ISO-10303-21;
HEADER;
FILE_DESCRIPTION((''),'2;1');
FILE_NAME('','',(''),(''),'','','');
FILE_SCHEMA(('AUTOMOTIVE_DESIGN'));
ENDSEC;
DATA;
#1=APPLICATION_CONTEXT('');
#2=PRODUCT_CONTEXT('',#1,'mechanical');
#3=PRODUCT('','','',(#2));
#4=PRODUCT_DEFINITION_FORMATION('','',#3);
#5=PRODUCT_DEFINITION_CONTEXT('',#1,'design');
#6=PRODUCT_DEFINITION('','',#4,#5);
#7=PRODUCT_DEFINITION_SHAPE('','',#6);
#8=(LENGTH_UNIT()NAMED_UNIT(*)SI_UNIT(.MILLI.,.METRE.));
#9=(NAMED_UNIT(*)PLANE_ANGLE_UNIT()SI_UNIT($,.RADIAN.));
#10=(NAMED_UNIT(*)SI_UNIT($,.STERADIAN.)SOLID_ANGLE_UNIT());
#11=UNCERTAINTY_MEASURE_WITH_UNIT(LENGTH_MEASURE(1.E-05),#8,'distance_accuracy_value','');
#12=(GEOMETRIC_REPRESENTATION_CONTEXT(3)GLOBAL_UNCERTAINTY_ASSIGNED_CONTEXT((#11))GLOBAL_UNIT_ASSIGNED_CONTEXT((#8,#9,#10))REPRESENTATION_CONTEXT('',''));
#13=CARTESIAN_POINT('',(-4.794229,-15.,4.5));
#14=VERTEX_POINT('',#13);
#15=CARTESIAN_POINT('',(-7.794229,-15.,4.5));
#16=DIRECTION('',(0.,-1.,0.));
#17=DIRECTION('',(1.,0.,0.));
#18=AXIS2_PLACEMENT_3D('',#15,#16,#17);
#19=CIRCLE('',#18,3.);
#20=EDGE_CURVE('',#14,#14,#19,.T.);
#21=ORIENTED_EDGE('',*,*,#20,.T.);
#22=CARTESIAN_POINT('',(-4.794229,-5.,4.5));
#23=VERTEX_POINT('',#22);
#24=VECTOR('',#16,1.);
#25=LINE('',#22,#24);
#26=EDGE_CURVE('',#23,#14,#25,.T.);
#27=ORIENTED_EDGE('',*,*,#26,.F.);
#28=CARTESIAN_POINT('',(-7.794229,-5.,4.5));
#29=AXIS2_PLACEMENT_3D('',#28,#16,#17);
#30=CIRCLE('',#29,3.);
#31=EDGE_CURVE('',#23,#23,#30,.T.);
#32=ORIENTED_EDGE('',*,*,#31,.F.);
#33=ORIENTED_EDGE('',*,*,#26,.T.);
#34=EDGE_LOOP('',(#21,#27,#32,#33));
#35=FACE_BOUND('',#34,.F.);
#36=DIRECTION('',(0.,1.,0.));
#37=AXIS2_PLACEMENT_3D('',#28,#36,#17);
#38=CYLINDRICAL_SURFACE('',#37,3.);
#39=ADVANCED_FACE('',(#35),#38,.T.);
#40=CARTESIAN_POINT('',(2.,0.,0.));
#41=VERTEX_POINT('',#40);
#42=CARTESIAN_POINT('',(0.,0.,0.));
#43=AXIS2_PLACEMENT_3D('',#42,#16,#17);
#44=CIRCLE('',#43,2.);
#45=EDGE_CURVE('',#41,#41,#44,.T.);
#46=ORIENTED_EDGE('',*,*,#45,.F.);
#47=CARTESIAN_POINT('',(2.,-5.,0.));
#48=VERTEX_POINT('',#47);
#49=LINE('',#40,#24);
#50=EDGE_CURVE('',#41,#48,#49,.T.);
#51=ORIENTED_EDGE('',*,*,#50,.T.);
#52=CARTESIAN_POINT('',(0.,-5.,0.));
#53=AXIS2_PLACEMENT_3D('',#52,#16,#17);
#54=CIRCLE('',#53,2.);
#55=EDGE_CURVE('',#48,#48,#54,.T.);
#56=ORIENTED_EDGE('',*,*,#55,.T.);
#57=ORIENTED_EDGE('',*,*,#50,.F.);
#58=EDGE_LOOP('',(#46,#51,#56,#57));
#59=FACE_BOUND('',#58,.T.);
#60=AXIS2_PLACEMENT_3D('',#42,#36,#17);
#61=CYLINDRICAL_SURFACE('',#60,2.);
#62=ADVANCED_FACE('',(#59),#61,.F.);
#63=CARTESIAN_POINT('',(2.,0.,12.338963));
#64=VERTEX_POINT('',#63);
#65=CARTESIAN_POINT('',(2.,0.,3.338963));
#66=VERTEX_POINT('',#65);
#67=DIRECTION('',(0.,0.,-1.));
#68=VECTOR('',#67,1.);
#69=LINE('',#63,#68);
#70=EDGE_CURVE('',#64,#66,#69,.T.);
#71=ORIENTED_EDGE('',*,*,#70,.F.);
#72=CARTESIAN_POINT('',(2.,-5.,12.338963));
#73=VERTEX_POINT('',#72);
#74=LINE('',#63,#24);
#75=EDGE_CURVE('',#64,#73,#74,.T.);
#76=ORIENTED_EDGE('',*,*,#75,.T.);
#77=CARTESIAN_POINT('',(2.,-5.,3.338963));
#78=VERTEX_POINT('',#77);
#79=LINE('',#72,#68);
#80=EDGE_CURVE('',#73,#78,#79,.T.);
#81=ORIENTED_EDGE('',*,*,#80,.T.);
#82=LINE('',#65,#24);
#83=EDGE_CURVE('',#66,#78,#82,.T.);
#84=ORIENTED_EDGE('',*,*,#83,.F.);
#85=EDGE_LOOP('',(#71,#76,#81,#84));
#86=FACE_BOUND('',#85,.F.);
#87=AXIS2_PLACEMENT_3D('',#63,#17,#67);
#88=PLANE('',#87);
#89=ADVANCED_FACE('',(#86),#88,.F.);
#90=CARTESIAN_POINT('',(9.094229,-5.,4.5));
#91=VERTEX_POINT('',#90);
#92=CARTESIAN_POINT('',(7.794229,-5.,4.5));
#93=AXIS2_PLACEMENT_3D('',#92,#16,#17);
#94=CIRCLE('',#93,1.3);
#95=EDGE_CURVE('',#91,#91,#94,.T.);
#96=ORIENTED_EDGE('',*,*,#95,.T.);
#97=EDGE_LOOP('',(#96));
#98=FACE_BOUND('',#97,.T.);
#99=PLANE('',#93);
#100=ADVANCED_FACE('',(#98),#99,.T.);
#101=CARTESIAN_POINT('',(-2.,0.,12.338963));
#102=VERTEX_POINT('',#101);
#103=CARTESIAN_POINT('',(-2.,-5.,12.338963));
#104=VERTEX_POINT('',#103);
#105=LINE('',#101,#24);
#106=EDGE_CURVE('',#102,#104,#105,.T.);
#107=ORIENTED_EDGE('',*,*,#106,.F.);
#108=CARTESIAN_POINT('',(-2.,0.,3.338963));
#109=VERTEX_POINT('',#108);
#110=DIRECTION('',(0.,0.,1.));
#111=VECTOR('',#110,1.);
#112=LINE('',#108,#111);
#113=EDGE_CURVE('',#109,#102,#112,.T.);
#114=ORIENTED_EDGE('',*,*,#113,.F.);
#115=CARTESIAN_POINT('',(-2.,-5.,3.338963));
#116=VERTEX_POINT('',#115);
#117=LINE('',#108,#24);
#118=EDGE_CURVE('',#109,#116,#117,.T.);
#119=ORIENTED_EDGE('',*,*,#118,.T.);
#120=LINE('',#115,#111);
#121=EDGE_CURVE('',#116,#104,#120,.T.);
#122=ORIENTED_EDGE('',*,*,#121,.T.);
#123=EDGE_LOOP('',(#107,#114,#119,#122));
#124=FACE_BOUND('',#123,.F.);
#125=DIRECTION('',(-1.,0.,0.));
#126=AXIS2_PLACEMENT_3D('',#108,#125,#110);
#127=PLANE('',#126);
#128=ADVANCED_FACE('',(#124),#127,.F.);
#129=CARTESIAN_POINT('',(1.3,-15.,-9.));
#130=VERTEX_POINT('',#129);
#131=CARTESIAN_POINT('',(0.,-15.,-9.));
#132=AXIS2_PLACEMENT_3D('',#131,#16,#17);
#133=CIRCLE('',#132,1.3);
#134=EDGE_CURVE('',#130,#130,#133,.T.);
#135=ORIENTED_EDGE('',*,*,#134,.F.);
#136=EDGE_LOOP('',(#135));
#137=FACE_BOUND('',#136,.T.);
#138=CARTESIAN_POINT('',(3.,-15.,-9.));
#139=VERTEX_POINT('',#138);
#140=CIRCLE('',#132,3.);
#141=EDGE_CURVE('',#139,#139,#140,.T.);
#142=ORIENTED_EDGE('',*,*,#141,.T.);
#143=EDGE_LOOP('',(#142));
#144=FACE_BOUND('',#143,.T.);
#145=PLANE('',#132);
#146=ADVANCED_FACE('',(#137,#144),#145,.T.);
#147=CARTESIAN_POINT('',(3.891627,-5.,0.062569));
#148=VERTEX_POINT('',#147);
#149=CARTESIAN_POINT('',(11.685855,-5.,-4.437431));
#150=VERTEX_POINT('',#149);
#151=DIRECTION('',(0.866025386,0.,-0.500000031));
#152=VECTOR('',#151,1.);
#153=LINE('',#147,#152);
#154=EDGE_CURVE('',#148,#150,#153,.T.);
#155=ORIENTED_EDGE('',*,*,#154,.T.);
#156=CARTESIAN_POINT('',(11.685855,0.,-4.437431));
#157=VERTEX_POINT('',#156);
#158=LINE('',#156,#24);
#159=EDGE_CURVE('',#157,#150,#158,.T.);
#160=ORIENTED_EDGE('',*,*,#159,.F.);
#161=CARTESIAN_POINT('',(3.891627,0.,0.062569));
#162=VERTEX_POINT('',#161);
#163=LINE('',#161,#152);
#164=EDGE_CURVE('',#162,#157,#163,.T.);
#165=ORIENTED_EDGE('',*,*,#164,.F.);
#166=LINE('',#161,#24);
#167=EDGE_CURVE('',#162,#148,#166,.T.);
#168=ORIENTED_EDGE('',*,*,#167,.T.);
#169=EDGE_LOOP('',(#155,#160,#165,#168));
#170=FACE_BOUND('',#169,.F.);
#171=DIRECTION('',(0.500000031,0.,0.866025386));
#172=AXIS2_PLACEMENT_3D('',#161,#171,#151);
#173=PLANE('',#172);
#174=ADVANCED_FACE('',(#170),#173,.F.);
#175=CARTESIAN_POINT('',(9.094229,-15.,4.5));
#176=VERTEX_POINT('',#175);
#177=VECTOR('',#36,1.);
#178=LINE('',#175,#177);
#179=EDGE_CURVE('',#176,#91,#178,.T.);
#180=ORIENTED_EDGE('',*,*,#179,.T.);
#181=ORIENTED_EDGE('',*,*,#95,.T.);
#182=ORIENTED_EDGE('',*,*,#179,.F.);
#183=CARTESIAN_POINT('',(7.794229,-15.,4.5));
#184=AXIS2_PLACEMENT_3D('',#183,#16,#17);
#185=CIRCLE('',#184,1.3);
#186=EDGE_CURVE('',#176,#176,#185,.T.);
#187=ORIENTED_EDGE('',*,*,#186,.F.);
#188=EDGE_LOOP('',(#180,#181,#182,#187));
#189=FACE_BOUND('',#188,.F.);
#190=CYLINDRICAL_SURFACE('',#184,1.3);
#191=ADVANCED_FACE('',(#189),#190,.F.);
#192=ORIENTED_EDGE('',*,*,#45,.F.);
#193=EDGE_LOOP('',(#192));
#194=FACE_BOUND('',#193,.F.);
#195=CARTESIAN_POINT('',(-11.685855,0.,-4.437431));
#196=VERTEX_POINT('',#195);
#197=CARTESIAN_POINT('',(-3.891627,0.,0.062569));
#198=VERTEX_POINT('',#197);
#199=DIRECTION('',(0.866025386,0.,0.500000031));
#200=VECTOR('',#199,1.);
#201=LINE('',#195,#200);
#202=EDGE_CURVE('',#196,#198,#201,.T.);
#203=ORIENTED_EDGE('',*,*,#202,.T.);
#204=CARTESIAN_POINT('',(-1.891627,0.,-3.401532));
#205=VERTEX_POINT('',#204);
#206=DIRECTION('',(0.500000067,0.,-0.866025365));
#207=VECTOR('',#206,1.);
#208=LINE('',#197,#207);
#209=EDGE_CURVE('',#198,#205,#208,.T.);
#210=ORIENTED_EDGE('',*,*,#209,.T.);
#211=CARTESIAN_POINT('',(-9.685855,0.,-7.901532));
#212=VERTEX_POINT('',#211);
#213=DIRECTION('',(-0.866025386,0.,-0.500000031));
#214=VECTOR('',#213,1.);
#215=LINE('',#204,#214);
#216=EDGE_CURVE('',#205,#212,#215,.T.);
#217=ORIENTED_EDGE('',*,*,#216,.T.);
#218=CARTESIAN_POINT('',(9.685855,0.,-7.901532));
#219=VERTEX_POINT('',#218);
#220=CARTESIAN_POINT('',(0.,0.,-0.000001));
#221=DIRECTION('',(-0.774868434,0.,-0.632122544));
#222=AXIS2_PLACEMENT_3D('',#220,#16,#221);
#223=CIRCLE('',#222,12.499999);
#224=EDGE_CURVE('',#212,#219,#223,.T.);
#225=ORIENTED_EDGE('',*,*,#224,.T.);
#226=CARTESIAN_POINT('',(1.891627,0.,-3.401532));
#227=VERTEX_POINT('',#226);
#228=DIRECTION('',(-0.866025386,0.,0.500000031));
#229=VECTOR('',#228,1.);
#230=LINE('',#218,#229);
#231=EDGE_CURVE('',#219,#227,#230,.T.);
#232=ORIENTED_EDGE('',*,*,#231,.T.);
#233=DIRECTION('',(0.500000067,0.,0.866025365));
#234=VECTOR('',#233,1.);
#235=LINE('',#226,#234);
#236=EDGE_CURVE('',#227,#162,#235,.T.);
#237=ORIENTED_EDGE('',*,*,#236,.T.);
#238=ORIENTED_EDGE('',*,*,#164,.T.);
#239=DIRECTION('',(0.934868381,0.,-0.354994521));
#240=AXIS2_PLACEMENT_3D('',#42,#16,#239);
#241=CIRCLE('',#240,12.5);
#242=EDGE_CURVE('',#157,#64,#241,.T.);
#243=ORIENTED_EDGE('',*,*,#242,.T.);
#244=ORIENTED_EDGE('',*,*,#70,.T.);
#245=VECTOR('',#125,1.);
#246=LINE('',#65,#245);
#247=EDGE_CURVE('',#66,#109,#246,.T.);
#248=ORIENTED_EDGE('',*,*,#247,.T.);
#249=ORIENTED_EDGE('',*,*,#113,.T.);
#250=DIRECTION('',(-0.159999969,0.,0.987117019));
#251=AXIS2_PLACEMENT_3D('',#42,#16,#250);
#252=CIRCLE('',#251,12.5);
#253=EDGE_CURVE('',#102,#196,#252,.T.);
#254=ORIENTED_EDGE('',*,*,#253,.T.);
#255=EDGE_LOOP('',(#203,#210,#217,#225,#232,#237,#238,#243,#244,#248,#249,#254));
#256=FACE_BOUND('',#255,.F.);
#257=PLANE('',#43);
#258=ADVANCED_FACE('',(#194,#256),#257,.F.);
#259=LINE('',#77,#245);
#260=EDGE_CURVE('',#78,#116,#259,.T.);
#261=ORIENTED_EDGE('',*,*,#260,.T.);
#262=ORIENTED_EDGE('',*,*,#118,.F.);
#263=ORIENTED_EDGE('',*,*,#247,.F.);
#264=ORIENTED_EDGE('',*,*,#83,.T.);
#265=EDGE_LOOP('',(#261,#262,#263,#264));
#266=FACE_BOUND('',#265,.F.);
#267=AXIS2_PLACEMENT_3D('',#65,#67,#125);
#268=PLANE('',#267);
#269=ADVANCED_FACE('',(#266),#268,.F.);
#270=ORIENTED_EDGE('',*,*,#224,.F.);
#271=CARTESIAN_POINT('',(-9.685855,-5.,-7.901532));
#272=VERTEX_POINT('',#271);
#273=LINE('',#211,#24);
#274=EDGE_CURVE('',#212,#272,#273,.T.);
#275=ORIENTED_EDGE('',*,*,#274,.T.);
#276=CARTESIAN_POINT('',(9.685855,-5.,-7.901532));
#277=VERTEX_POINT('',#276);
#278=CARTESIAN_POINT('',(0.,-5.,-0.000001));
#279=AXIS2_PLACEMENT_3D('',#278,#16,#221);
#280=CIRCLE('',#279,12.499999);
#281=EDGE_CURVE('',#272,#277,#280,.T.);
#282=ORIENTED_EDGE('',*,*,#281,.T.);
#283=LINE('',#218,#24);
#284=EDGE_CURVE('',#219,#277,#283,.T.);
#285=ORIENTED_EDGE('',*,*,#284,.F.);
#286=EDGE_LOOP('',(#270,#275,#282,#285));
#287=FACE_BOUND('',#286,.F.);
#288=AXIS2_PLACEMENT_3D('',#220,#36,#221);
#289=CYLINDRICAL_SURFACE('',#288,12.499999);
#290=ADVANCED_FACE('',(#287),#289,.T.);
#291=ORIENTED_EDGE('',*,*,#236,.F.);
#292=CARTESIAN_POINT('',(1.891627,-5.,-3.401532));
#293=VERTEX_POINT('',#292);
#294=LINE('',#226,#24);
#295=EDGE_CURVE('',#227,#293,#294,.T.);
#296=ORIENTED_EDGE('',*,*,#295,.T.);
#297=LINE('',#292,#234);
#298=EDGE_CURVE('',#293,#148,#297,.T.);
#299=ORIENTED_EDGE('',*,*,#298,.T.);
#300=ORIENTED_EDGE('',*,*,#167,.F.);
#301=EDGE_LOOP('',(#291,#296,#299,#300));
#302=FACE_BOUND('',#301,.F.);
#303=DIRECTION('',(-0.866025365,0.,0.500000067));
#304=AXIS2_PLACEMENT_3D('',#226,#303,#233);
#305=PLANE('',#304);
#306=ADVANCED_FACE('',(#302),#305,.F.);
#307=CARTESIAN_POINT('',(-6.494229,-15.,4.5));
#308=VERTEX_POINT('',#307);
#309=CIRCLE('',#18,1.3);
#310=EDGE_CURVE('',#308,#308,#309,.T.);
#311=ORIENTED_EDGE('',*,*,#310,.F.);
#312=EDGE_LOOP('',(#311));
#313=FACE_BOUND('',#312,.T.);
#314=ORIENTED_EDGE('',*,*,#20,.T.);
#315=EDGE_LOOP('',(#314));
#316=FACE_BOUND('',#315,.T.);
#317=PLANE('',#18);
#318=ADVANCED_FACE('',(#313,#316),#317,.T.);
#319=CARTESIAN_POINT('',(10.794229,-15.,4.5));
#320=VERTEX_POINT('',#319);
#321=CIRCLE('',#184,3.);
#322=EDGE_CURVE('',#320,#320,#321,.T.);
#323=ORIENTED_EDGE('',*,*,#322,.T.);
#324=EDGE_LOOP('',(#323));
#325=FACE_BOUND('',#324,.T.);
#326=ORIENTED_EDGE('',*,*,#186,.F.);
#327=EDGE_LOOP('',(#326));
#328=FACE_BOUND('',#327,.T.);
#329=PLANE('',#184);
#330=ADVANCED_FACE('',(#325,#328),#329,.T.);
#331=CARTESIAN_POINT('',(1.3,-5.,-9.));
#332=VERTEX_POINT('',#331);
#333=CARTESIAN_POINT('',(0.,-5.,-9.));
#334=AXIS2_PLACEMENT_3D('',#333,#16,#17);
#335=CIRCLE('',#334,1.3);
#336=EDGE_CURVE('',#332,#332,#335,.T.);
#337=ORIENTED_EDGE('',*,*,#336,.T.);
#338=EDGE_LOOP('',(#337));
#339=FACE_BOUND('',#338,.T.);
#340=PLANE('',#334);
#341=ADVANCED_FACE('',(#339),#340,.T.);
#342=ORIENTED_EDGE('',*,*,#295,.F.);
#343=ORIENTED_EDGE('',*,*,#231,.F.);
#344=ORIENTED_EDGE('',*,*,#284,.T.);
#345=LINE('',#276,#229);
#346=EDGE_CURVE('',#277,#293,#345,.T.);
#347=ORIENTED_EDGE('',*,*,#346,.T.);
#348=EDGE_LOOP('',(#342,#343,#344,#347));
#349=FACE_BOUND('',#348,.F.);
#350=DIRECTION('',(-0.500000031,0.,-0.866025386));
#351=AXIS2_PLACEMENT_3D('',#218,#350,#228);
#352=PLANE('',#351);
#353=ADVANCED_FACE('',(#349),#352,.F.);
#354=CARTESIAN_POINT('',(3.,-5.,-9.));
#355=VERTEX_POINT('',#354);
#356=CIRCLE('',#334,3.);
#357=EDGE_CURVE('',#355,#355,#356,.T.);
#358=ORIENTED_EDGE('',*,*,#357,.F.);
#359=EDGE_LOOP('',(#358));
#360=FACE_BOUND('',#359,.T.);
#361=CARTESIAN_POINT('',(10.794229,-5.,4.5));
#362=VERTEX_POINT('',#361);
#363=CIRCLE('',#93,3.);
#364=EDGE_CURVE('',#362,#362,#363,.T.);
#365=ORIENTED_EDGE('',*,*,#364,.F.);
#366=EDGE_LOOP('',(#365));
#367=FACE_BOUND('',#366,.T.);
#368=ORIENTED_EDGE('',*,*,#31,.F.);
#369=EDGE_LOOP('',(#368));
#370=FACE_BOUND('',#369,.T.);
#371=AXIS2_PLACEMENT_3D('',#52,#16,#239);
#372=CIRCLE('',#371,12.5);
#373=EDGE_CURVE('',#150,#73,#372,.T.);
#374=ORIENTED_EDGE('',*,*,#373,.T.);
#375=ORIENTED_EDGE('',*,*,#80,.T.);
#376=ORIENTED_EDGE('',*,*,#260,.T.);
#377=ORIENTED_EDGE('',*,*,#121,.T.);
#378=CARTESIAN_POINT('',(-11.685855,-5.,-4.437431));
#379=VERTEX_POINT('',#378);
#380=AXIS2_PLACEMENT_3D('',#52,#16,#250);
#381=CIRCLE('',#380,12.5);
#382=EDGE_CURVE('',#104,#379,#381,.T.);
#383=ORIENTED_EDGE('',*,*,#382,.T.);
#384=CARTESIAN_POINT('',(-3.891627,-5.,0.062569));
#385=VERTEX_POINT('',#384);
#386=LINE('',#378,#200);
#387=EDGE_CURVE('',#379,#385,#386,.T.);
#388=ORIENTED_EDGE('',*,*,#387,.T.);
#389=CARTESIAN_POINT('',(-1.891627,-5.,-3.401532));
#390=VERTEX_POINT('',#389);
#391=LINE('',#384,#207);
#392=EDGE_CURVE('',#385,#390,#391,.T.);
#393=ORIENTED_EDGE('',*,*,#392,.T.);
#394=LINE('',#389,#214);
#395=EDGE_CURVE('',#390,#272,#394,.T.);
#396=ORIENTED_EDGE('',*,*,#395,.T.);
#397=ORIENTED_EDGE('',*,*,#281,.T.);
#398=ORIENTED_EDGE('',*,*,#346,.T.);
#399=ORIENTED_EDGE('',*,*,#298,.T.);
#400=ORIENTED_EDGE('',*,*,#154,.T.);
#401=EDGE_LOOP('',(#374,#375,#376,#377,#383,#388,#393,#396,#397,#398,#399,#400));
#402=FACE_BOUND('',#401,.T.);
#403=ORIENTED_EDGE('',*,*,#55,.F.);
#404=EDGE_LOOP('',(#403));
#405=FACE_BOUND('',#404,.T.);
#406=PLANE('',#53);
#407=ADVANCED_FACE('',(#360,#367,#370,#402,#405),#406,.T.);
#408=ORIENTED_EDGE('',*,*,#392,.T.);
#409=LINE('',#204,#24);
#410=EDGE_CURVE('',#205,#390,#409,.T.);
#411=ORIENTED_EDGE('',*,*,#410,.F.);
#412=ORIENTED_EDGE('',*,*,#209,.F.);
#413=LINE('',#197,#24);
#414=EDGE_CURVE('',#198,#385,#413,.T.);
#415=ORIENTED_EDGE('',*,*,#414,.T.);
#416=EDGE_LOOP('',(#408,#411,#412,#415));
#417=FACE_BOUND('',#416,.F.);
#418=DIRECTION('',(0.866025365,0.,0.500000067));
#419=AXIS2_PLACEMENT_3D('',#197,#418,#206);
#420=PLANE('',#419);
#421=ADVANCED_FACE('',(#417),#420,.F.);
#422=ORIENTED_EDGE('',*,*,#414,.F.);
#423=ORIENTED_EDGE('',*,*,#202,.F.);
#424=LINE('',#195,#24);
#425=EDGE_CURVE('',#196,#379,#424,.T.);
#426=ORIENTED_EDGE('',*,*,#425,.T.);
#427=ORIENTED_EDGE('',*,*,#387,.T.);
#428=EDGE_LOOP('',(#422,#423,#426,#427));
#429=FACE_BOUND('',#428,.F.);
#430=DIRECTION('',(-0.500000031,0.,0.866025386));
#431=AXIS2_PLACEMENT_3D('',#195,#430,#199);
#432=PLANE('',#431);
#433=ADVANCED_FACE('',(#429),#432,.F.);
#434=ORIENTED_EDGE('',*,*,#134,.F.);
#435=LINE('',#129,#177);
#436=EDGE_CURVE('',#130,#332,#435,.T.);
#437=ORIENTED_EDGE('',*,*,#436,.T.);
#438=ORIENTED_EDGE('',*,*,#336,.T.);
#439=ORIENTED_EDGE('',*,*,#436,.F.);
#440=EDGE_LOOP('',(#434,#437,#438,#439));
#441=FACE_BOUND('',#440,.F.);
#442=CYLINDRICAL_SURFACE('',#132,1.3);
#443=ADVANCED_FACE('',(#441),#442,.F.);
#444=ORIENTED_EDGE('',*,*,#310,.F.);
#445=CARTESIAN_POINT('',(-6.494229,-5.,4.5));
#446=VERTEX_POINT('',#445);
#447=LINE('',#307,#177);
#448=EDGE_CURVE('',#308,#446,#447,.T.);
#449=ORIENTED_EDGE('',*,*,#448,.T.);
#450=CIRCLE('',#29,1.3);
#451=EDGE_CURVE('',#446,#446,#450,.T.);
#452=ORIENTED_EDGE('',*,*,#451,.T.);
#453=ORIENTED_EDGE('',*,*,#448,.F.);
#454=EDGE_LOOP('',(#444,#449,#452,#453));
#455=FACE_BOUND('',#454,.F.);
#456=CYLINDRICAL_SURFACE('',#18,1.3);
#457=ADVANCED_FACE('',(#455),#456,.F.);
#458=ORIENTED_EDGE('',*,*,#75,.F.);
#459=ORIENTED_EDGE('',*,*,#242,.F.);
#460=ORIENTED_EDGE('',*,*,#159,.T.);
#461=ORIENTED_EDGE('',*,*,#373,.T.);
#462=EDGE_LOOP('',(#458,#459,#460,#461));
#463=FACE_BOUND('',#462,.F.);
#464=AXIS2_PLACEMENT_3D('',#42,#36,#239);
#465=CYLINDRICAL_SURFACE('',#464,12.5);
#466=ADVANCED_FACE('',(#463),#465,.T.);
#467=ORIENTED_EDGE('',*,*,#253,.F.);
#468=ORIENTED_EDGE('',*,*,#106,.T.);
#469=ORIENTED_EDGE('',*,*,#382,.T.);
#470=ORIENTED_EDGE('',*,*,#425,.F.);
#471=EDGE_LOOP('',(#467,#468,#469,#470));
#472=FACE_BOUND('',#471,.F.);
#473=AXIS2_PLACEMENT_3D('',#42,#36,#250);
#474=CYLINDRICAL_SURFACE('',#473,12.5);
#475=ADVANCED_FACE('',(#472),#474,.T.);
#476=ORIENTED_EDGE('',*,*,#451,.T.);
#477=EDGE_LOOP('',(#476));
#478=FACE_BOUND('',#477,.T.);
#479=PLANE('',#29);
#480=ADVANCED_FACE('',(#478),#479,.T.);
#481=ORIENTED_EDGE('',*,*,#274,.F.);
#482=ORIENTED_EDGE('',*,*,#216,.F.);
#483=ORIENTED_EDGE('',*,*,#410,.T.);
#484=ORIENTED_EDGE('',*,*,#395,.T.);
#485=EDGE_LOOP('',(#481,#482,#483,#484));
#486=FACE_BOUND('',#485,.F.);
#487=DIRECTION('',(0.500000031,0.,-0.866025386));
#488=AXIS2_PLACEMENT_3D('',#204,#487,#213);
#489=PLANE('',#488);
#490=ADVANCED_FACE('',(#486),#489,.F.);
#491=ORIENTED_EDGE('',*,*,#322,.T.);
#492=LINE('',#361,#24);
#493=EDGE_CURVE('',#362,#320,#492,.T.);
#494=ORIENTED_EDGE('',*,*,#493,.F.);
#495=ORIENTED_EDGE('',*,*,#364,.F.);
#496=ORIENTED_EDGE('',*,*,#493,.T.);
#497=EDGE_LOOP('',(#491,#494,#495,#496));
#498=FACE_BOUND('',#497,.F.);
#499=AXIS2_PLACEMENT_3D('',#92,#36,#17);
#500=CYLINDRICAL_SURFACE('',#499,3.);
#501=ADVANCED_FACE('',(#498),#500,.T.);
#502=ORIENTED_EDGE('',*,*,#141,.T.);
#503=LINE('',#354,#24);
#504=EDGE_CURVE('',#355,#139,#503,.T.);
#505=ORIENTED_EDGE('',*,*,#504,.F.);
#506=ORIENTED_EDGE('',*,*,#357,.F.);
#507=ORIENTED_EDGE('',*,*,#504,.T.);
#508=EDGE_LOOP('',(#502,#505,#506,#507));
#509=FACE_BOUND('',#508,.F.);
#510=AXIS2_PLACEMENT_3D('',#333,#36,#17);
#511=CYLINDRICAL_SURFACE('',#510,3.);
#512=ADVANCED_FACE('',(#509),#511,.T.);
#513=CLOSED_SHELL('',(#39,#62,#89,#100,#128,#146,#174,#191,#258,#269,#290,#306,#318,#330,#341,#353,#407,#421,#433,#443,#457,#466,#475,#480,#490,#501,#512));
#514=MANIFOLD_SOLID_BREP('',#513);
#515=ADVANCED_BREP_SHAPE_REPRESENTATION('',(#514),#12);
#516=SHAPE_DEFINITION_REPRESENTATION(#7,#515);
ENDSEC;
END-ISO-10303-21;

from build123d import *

# Parameters (mm, degrees)
F0_R     = 2
F1_DEPTH = 5
F2_R     = 3
F3_DEPTH = 10
F4_R     = 1.3
F5_DEPTH = 10


with BuildPart() as f1:
    # F0 (on Front) → F1 (new body)
    with BuildSketch(Plane.XZ):
        with BuildLine():
            Line((-2, 3.338963), (-2, 12.338963))
            ThreePointArc((-2, 12.338963), (-10.825318, 6.25), (-11.685855, -4.437431))
            Line((-11.685855, -4.437431), (-3.891627, 0.062569))
            Line((-3.891627, 0.062569), (-1.891627, -3.401532))
            Line((-1.891627, -3.401532), (-9.685855, -7.901532))
            ThreePointArc((-9.685855, -7.901532), (0, -12.5), (9.685855, -7.901532))
            Line((9.685855, -7.901532), (1.891627, -3.401532))
            Line((1.891627, -3.401532), (3.891627, 0.062569))
            Line((3.891627, 0.062569), (11.685855, -4.437431))
            ThreePointArc((11.685855, -4.437431), (10.825318, 6.25), (2, 12.338963))
            Line((2, 12.338963), (2, 3.338963))
            Line((2, 3.338963), (-2, 3.338963))
        make_face()
        Circle(F0_R, mode=Mode.SUBTRACT)
    extrude(amount=F1_DEPTH)

    # F2 (on face) → F3 (join)
    with BuildSketch(Plane.XZ.offset(5)):
        with Locations((7.794229, 4.5)):
            Circle(F2_R)
        with Locations((-7.794229, 4.5)):
            Circle(F2_R)
        with Locations((0, -9)):
            Circle(F2_R)
    extrude(amount=F3_DEPTH)

    # F4 (on face) → F5 (cut)
    with BuildSketch(Plane.XZ.offset(15)):
        with Locations((0, -9)):
            Circle(F4_R)
        with Locations((7.794229, 4.5)):
            Circle(F4_R)
        with Locations((-7.794229, 4.5)):
            Circle(F4_R)
    extrude(amount=-F5_DEPTH, mode=Mode.SUBTRACT)


solid = f1.part
